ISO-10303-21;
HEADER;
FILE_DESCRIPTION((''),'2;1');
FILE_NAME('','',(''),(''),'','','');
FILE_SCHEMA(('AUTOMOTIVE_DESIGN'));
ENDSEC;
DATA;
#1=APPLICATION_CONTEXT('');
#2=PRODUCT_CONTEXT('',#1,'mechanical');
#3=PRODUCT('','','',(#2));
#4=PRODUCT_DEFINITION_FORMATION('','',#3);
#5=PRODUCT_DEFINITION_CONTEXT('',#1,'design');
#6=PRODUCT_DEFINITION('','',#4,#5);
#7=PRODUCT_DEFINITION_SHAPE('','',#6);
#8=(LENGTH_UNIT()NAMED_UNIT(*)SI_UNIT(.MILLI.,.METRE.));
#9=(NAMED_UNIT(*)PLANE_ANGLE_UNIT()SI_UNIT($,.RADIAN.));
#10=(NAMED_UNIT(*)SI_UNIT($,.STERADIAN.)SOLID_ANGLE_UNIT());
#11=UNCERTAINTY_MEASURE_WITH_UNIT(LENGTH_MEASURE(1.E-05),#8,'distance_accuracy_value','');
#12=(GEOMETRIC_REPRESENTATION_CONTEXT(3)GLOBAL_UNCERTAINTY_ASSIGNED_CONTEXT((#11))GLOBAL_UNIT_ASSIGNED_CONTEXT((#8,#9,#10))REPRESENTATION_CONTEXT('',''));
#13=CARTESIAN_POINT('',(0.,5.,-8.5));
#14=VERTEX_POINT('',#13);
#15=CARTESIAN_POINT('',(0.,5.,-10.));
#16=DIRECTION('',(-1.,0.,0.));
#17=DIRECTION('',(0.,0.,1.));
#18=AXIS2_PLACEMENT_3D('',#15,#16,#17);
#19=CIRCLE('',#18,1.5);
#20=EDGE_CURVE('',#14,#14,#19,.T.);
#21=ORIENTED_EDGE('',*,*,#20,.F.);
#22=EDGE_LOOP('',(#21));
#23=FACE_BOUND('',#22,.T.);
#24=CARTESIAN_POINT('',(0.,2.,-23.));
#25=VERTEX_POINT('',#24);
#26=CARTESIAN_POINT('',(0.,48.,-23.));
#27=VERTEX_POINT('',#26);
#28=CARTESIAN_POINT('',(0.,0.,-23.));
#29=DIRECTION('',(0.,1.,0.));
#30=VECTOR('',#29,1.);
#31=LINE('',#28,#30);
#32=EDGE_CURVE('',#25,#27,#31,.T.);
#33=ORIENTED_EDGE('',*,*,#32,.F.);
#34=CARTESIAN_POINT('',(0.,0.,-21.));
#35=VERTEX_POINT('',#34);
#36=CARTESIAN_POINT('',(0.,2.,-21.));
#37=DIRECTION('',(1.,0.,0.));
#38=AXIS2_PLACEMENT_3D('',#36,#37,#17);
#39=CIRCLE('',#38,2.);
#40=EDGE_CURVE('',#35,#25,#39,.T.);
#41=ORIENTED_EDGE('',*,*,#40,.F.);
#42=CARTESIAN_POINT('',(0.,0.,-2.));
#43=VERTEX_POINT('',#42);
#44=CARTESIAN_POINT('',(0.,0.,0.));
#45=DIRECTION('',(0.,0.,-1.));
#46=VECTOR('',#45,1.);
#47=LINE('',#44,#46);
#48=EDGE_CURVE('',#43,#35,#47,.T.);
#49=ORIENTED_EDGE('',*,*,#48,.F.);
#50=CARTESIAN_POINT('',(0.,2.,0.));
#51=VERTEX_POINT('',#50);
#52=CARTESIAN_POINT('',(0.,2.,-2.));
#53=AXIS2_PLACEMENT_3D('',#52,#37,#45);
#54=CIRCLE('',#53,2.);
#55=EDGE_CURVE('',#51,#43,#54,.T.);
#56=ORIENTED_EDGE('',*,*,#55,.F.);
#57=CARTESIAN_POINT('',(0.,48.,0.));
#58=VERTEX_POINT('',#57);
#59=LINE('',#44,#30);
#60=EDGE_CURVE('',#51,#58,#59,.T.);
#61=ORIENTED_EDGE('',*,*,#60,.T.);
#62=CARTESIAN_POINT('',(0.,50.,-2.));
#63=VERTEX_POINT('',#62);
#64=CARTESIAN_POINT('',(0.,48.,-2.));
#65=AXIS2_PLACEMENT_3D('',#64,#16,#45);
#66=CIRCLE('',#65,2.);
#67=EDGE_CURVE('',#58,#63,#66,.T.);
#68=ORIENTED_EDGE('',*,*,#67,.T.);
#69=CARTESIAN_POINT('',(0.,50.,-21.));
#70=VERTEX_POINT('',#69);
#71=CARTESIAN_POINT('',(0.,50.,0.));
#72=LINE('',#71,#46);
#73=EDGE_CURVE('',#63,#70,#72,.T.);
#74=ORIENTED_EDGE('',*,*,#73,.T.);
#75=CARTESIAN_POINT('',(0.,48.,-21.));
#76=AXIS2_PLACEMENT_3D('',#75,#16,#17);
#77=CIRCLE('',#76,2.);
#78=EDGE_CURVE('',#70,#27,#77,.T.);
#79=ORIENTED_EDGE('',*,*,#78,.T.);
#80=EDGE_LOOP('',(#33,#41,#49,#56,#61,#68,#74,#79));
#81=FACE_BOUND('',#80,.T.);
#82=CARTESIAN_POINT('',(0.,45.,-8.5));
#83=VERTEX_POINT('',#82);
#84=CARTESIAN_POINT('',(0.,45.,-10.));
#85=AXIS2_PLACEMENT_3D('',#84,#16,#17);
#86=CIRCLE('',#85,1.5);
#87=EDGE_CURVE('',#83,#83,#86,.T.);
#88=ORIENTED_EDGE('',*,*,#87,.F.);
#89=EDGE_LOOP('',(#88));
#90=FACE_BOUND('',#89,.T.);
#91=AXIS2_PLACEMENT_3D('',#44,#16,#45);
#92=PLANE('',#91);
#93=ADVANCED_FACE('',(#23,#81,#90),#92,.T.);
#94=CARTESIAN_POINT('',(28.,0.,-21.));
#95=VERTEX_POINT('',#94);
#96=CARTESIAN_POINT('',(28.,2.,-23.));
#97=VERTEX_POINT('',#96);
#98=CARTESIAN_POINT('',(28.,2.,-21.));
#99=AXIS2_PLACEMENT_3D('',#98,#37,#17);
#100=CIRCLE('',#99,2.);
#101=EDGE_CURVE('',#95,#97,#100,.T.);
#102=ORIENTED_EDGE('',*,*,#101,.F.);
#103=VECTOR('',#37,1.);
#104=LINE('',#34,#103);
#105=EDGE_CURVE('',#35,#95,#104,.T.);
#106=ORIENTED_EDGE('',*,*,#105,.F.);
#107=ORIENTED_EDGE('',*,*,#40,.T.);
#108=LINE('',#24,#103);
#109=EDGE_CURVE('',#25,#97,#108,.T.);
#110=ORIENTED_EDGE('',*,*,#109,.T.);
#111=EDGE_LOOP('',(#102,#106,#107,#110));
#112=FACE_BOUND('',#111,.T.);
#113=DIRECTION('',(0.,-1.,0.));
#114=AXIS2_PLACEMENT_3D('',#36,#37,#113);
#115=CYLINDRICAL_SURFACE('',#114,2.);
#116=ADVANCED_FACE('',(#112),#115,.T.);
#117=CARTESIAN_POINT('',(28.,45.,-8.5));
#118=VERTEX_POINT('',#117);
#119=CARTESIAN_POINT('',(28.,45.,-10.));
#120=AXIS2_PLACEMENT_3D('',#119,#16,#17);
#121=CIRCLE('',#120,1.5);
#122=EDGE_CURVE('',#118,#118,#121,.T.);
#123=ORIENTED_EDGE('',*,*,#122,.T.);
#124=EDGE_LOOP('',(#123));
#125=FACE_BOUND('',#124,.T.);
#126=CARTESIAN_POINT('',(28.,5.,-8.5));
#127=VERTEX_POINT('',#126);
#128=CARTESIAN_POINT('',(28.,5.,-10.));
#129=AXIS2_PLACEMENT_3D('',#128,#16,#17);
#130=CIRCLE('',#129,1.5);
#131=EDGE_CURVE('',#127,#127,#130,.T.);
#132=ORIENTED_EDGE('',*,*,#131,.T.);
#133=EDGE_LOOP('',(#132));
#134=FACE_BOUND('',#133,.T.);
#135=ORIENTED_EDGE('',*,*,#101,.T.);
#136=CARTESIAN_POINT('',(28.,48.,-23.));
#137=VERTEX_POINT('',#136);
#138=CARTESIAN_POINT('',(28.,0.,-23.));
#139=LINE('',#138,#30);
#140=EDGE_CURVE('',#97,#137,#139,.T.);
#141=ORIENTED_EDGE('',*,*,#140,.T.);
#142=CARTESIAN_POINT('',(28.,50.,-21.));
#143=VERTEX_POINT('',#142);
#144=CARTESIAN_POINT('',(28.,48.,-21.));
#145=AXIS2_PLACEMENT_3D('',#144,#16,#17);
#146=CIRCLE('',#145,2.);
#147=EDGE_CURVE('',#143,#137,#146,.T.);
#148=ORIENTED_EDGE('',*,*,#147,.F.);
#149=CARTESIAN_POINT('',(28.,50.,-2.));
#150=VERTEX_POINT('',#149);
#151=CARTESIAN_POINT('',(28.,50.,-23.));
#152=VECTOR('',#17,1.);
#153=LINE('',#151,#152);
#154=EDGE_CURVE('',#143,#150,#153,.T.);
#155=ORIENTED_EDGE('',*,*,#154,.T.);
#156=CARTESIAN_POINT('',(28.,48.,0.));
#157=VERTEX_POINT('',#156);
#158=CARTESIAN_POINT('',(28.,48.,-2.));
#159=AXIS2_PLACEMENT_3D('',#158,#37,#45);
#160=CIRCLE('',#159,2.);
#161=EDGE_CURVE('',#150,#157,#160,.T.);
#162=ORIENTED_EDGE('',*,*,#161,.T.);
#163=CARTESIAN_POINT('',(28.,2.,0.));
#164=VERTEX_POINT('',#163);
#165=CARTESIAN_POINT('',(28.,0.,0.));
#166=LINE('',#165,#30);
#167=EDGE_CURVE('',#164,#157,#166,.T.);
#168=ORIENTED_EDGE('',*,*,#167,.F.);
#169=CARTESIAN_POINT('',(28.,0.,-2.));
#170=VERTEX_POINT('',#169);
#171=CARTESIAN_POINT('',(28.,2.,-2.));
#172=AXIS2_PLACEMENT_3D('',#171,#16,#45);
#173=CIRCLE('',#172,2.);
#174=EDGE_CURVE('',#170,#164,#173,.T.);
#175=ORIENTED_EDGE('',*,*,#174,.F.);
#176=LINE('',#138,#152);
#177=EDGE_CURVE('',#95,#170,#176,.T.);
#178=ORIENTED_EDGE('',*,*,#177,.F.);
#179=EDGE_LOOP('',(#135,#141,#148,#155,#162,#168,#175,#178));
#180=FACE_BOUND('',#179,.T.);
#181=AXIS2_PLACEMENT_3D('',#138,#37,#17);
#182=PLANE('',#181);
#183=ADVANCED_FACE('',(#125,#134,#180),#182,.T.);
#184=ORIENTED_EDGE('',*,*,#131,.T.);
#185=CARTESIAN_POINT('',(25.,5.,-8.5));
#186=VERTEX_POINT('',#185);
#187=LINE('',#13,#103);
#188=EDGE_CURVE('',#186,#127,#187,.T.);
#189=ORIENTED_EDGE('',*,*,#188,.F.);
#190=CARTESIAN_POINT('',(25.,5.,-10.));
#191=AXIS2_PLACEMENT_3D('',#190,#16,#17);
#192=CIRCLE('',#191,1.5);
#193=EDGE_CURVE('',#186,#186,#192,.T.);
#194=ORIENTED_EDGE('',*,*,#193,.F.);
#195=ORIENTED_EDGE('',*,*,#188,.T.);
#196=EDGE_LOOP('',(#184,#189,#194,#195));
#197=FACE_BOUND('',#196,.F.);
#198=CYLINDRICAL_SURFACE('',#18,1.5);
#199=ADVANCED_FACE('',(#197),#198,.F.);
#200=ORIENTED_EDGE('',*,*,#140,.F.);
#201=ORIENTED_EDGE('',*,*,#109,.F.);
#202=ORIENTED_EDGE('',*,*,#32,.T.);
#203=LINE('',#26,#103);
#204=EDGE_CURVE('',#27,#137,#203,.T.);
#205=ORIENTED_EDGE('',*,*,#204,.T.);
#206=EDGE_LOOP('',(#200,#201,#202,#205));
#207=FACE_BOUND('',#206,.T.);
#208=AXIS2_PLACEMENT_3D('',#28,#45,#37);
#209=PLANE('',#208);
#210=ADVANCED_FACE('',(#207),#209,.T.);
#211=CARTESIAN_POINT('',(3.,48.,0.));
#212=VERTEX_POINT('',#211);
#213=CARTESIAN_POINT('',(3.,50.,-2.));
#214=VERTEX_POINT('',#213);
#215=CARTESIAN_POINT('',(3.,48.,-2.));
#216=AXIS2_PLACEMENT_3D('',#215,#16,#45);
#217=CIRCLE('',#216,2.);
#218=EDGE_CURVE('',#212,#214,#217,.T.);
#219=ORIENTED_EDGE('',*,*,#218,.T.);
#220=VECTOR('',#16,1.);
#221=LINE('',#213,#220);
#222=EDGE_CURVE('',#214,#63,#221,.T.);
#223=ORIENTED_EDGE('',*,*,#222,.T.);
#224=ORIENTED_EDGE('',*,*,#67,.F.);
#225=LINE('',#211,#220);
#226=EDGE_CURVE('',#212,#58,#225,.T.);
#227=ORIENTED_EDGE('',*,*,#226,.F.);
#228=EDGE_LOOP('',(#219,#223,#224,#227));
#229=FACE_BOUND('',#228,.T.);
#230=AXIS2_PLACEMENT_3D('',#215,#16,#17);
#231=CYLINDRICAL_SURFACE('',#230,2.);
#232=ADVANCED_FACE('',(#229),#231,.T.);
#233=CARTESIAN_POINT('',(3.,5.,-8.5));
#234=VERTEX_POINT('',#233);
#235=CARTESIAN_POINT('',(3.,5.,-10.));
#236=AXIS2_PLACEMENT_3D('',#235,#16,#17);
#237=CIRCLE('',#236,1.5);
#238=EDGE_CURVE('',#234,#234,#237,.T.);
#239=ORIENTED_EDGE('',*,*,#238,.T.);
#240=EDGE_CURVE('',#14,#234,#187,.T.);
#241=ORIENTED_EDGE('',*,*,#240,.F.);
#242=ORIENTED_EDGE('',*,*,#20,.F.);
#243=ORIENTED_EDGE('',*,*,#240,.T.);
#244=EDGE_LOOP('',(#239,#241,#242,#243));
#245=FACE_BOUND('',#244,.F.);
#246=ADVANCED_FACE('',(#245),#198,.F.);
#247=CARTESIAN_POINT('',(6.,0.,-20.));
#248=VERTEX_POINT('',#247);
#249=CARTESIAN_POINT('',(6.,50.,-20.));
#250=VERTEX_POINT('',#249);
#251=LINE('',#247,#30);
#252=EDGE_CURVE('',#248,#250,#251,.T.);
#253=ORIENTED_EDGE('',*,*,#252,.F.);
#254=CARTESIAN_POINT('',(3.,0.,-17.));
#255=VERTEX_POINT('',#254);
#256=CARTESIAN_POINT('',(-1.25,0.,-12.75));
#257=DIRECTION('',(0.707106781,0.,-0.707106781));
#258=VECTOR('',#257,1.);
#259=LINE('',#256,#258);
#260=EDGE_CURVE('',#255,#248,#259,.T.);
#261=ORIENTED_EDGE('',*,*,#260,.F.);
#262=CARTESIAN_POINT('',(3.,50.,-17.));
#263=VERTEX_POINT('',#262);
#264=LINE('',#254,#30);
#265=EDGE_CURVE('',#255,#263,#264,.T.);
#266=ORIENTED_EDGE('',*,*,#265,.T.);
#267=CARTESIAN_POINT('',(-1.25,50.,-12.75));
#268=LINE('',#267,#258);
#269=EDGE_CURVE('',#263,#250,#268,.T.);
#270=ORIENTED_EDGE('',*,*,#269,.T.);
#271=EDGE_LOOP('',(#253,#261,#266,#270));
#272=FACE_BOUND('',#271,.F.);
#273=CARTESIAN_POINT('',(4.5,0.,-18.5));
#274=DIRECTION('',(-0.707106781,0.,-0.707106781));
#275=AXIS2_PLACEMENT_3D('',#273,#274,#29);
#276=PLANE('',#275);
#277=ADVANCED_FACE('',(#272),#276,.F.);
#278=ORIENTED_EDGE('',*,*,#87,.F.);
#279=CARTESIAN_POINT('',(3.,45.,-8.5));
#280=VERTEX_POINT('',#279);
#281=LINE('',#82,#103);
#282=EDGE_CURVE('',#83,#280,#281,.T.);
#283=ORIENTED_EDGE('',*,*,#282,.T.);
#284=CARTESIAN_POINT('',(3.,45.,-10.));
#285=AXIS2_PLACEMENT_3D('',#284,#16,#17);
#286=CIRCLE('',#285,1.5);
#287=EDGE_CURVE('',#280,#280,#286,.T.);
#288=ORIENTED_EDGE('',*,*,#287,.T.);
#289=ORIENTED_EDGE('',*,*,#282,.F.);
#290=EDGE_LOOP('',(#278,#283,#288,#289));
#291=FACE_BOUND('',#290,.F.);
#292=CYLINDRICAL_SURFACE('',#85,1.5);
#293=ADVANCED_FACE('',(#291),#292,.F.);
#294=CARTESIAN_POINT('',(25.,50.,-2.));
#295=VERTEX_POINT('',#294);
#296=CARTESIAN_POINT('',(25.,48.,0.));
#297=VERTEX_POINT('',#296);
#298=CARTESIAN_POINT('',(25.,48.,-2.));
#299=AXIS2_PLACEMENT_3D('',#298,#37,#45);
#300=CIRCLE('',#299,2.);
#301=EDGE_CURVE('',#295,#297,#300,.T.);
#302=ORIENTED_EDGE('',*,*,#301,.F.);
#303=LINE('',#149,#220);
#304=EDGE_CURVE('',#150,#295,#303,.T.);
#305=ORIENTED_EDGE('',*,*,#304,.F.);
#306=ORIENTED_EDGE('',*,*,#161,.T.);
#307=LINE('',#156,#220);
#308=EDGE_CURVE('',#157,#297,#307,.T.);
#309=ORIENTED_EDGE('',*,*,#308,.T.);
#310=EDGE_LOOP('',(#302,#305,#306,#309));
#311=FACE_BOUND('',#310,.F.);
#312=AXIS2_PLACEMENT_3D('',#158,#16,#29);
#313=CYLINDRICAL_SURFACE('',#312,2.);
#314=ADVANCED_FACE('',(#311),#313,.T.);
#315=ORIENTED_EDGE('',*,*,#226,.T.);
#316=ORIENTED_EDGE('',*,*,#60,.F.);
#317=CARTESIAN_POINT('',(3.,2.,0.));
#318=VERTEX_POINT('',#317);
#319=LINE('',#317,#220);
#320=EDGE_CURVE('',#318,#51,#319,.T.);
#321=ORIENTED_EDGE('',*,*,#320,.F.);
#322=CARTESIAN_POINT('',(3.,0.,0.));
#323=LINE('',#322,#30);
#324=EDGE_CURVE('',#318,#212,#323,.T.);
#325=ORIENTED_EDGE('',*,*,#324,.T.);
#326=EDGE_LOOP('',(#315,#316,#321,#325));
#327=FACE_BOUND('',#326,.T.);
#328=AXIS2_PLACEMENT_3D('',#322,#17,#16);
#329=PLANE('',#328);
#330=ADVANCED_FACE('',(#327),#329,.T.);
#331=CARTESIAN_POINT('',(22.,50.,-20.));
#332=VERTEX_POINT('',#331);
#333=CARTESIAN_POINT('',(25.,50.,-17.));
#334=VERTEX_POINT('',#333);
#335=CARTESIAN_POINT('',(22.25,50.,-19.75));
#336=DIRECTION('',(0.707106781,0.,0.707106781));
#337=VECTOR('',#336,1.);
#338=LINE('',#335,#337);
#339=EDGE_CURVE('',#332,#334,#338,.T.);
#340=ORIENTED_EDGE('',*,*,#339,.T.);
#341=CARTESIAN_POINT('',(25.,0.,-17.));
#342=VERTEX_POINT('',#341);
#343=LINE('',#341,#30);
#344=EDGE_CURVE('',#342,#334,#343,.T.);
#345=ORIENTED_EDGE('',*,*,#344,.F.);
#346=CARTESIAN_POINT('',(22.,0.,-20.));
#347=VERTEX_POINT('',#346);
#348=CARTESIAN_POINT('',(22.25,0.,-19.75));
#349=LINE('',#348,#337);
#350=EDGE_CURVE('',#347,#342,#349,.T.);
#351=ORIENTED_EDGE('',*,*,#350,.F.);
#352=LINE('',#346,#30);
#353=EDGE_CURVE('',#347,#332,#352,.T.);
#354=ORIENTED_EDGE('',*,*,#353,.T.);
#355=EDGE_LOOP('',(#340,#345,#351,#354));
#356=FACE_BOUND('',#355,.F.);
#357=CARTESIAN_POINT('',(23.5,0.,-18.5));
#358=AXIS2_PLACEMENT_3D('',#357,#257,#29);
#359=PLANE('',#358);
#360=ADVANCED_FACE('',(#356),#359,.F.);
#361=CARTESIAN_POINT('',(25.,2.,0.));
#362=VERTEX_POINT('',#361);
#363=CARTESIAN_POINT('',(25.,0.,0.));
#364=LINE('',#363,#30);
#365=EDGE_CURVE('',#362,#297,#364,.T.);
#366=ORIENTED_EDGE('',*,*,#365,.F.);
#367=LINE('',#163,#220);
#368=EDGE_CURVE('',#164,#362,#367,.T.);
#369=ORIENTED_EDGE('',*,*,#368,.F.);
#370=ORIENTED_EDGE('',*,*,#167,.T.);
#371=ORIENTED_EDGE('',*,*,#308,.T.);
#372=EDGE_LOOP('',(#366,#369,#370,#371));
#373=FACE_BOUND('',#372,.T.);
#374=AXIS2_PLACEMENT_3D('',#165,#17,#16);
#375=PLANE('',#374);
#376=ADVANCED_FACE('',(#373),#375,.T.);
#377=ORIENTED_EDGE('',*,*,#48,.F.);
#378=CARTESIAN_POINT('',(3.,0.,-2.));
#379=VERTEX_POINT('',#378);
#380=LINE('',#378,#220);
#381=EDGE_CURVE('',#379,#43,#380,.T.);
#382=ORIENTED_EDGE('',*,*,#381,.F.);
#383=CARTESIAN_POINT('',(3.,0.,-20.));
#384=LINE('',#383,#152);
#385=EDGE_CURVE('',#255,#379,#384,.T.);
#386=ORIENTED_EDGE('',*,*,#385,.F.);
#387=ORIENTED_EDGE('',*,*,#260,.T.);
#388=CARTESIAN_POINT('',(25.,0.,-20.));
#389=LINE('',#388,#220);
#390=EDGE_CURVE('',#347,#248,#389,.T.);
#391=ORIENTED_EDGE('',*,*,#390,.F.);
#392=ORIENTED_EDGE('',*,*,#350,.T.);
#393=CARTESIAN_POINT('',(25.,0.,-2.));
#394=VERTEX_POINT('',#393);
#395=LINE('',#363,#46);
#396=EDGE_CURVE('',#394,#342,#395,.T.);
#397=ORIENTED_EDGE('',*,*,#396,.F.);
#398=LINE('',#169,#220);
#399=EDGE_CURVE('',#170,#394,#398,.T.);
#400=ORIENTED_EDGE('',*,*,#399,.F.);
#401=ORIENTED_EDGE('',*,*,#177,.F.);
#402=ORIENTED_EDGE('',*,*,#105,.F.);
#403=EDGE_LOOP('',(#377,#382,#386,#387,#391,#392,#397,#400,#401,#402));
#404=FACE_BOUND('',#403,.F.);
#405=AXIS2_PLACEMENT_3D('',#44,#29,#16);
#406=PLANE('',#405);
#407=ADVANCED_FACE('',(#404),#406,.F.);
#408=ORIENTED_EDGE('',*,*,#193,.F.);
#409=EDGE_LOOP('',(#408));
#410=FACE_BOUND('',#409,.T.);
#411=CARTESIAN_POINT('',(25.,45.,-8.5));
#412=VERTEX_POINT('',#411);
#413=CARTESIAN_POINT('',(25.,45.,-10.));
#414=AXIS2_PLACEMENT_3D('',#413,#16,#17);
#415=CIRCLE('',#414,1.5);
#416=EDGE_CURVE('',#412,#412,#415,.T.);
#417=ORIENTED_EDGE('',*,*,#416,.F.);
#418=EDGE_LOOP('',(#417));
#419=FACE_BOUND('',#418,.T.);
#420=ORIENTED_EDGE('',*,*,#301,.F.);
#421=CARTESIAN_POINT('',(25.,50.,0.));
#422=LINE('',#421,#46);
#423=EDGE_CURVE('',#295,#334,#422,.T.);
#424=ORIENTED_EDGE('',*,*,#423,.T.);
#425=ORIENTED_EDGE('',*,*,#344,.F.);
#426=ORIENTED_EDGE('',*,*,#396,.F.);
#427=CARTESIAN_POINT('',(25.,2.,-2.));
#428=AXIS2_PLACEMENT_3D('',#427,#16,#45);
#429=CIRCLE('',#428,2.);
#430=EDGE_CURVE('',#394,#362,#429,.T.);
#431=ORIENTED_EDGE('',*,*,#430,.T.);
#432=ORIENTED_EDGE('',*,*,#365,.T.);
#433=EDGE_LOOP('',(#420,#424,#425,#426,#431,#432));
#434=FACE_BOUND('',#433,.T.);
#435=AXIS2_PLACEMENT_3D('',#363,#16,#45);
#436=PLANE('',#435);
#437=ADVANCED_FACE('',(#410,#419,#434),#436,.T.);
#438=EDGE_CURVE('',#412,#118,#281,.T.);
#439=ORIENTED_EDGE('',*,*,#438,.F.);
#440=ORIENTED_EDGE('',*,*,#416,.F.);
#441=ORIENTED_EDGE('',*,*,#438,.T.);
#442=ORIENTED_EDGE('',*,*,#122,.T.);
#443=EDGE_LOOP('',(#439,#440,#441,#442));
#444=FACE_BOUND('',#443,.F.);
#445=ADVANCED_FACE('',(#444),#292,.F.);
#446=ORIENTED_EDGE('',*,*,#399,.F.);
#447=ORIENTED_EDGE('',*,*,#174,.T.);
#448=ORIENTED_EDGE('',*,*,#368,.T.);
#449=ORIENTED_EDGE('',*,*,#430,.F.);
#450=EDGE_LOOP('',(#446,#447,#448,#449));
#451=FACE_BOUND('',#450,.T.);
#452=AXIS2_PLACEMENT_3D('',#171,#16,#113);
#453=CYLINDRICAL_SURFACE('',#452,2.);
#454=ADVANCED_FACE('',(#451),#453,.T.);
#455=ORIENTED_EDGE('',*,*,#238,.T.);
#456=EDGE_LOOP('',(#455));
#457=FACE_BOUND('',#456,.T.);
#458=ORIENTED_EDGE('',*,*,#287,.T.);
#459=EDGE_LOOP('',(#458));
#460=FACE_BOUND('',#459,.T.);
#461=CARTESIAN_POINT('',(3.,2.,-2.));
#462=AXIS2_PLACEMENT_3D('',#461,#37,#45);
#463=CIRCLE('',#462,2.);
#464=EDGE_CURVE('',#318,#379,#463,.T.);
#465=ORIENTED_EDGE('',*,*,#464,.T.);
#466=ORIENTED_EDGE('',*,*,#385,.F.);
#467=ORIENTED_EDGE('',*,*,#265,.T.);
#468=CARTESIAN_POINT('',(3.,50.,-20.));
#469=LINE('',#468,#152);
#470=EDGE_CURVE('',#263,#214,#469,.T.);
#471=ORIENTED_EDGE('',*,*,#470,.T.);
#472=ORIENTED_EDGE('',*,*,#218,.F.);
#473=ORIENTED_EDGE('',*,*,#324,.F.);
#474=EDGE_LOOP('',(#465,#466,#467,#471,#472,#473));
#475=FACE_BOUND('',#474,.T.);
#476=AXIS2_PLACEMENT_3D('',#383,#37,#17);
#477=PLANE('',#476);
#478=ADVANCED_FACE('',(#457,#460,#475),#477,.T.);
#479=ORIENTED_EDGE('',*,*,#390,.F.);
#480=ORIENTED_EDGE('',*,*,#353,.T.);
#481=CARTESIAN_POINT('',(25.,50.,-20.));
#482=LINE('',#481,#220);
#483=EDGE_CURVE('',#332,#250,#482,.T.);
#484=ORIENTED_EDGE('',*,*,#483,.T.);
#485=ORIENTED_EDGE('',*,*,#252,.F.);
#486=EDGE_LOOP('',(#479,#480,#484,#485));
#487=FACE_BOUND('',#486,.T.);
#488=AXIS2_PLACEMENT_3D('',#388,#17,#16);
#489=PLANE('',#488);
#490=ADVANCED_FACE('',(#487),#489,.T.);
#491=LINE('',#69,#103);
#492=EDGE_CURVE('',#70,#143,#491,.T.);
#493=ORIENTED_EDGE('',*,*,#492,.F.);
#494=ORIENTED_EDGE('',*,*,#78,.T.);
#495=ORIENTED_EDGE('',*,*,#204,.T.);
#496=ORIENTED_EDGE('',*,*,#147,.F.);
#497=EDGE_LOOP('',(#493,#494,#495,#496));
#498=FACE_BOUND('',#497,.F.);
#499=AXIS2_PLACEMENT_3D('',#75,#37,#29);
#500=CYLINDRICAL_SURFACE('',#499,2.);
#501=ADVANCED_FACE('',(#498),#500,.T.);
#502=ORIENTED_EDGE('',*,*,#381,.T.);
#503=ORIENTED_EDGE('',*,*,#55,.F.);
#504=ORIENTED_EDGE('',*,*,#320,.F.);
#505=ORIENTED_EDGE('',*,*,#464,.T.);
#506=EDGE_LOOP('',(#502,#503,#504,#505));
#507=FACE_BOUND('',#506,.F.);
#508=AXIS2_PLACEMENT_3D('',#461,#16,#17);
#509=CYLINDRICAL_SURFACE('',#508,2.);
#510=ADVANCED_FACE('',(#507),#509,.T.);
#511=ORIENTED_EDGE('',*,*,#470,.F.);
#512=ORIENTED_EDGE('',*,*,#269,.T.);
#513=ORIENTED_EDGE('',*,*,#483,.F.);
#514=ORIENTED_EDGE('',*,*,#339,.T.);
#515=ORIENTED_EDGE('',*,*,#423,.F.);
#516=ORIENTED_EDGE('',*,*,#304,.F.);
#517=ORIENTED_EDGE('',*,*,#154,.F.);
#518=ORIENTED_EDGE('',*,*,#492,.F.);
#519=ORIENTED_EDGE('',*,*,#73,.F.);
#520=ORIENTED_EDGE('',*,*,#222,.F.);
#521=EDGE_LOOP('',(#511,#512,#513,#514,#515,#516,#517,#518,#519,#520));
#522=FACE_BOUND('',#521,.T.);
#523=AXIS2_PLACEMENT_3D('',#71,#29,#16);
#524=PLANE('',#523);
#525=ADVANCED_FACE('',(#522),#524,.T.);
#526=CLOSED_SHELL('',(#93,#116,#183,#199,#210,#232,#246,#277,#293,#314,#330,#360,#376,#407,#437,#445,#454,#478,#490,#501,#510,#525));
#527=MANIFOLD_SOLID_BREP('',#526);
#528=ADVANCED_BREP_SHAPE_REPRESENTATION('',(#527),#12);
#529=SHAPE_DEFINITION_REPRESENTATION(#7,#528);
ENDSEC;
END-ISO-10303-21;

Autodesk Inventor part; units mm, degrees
ref_plane "YZ Plane" through (0, 0, 0) normal (1, 0, 0) x (0, 1, 0)
ref_plane "XZ Plane" through (0, 0, 0) normal (0, 1, 0) x (-1, 0, 0)
ref_plane "XY Plane" through (0, 0, 0) normal (0, 0, 1) x (1, 0, 0)
sketch "Sketch1" plane through (0, 0, 0) normal (0, 1, 0) x (-1, 0, 0)
  line L0 (0, 0) -> (0, -23)
  line L1 (0, -23) -> (-28, -23)
  line L2 (-28, -23) -> (-28, 0)
  line L3 (-28, 0) -> (-25, 0)
  line L4 (-25, 0) -> (-25, -20)
  line L5 (-25, -20) -> (-3, -20)
  line L6 (-3, -20) -> (-3, 0)
  line L7 (-3, 0) -> (0, 0)
  dimension "d0" = 3
  dimension "d1" = 3
  dimension "d2" = 3
  dimension "d3" = 28
  dimension "d4" = 23
extrude "Extrusion1" add sketch "Sketch1" along normal blind 50
sketch "Sketch2" plane through (0, 0, -23) normal (-1, 0, 0) x (0, 0, 1)
  circle A0 centre (13, 45) radius 1.5
  circle A1 centre (13, 5) radius 1.5
  line L0 (23, 0) -> (23, 50) construction
  line L1 (13, 5) -> (13, 45) construction
  line L2 (0, 0) -> (23, 0) construction
  dimension "d8" = 3
  dimension "d9" = 10
  dimension "d11" = 40
  dimension "d12" = 5
extrude "Extrusion2" cut sketch "Sketch2" against normal up to surface (28 mm away)
fillet "Fillet1" radius 2 6 edges at (1.5, 50, 0) (1.5, 0, 0) (26.5, 50, 0) (26.5, 0, 0) (14, 50, -23) (14, 0, -23)
chamfer "Chamfer1" distance 3 angle 45 2 edges at (3, 25, -20) (25, 25, -20)
properties part number "Front_Wheel_Stand"
